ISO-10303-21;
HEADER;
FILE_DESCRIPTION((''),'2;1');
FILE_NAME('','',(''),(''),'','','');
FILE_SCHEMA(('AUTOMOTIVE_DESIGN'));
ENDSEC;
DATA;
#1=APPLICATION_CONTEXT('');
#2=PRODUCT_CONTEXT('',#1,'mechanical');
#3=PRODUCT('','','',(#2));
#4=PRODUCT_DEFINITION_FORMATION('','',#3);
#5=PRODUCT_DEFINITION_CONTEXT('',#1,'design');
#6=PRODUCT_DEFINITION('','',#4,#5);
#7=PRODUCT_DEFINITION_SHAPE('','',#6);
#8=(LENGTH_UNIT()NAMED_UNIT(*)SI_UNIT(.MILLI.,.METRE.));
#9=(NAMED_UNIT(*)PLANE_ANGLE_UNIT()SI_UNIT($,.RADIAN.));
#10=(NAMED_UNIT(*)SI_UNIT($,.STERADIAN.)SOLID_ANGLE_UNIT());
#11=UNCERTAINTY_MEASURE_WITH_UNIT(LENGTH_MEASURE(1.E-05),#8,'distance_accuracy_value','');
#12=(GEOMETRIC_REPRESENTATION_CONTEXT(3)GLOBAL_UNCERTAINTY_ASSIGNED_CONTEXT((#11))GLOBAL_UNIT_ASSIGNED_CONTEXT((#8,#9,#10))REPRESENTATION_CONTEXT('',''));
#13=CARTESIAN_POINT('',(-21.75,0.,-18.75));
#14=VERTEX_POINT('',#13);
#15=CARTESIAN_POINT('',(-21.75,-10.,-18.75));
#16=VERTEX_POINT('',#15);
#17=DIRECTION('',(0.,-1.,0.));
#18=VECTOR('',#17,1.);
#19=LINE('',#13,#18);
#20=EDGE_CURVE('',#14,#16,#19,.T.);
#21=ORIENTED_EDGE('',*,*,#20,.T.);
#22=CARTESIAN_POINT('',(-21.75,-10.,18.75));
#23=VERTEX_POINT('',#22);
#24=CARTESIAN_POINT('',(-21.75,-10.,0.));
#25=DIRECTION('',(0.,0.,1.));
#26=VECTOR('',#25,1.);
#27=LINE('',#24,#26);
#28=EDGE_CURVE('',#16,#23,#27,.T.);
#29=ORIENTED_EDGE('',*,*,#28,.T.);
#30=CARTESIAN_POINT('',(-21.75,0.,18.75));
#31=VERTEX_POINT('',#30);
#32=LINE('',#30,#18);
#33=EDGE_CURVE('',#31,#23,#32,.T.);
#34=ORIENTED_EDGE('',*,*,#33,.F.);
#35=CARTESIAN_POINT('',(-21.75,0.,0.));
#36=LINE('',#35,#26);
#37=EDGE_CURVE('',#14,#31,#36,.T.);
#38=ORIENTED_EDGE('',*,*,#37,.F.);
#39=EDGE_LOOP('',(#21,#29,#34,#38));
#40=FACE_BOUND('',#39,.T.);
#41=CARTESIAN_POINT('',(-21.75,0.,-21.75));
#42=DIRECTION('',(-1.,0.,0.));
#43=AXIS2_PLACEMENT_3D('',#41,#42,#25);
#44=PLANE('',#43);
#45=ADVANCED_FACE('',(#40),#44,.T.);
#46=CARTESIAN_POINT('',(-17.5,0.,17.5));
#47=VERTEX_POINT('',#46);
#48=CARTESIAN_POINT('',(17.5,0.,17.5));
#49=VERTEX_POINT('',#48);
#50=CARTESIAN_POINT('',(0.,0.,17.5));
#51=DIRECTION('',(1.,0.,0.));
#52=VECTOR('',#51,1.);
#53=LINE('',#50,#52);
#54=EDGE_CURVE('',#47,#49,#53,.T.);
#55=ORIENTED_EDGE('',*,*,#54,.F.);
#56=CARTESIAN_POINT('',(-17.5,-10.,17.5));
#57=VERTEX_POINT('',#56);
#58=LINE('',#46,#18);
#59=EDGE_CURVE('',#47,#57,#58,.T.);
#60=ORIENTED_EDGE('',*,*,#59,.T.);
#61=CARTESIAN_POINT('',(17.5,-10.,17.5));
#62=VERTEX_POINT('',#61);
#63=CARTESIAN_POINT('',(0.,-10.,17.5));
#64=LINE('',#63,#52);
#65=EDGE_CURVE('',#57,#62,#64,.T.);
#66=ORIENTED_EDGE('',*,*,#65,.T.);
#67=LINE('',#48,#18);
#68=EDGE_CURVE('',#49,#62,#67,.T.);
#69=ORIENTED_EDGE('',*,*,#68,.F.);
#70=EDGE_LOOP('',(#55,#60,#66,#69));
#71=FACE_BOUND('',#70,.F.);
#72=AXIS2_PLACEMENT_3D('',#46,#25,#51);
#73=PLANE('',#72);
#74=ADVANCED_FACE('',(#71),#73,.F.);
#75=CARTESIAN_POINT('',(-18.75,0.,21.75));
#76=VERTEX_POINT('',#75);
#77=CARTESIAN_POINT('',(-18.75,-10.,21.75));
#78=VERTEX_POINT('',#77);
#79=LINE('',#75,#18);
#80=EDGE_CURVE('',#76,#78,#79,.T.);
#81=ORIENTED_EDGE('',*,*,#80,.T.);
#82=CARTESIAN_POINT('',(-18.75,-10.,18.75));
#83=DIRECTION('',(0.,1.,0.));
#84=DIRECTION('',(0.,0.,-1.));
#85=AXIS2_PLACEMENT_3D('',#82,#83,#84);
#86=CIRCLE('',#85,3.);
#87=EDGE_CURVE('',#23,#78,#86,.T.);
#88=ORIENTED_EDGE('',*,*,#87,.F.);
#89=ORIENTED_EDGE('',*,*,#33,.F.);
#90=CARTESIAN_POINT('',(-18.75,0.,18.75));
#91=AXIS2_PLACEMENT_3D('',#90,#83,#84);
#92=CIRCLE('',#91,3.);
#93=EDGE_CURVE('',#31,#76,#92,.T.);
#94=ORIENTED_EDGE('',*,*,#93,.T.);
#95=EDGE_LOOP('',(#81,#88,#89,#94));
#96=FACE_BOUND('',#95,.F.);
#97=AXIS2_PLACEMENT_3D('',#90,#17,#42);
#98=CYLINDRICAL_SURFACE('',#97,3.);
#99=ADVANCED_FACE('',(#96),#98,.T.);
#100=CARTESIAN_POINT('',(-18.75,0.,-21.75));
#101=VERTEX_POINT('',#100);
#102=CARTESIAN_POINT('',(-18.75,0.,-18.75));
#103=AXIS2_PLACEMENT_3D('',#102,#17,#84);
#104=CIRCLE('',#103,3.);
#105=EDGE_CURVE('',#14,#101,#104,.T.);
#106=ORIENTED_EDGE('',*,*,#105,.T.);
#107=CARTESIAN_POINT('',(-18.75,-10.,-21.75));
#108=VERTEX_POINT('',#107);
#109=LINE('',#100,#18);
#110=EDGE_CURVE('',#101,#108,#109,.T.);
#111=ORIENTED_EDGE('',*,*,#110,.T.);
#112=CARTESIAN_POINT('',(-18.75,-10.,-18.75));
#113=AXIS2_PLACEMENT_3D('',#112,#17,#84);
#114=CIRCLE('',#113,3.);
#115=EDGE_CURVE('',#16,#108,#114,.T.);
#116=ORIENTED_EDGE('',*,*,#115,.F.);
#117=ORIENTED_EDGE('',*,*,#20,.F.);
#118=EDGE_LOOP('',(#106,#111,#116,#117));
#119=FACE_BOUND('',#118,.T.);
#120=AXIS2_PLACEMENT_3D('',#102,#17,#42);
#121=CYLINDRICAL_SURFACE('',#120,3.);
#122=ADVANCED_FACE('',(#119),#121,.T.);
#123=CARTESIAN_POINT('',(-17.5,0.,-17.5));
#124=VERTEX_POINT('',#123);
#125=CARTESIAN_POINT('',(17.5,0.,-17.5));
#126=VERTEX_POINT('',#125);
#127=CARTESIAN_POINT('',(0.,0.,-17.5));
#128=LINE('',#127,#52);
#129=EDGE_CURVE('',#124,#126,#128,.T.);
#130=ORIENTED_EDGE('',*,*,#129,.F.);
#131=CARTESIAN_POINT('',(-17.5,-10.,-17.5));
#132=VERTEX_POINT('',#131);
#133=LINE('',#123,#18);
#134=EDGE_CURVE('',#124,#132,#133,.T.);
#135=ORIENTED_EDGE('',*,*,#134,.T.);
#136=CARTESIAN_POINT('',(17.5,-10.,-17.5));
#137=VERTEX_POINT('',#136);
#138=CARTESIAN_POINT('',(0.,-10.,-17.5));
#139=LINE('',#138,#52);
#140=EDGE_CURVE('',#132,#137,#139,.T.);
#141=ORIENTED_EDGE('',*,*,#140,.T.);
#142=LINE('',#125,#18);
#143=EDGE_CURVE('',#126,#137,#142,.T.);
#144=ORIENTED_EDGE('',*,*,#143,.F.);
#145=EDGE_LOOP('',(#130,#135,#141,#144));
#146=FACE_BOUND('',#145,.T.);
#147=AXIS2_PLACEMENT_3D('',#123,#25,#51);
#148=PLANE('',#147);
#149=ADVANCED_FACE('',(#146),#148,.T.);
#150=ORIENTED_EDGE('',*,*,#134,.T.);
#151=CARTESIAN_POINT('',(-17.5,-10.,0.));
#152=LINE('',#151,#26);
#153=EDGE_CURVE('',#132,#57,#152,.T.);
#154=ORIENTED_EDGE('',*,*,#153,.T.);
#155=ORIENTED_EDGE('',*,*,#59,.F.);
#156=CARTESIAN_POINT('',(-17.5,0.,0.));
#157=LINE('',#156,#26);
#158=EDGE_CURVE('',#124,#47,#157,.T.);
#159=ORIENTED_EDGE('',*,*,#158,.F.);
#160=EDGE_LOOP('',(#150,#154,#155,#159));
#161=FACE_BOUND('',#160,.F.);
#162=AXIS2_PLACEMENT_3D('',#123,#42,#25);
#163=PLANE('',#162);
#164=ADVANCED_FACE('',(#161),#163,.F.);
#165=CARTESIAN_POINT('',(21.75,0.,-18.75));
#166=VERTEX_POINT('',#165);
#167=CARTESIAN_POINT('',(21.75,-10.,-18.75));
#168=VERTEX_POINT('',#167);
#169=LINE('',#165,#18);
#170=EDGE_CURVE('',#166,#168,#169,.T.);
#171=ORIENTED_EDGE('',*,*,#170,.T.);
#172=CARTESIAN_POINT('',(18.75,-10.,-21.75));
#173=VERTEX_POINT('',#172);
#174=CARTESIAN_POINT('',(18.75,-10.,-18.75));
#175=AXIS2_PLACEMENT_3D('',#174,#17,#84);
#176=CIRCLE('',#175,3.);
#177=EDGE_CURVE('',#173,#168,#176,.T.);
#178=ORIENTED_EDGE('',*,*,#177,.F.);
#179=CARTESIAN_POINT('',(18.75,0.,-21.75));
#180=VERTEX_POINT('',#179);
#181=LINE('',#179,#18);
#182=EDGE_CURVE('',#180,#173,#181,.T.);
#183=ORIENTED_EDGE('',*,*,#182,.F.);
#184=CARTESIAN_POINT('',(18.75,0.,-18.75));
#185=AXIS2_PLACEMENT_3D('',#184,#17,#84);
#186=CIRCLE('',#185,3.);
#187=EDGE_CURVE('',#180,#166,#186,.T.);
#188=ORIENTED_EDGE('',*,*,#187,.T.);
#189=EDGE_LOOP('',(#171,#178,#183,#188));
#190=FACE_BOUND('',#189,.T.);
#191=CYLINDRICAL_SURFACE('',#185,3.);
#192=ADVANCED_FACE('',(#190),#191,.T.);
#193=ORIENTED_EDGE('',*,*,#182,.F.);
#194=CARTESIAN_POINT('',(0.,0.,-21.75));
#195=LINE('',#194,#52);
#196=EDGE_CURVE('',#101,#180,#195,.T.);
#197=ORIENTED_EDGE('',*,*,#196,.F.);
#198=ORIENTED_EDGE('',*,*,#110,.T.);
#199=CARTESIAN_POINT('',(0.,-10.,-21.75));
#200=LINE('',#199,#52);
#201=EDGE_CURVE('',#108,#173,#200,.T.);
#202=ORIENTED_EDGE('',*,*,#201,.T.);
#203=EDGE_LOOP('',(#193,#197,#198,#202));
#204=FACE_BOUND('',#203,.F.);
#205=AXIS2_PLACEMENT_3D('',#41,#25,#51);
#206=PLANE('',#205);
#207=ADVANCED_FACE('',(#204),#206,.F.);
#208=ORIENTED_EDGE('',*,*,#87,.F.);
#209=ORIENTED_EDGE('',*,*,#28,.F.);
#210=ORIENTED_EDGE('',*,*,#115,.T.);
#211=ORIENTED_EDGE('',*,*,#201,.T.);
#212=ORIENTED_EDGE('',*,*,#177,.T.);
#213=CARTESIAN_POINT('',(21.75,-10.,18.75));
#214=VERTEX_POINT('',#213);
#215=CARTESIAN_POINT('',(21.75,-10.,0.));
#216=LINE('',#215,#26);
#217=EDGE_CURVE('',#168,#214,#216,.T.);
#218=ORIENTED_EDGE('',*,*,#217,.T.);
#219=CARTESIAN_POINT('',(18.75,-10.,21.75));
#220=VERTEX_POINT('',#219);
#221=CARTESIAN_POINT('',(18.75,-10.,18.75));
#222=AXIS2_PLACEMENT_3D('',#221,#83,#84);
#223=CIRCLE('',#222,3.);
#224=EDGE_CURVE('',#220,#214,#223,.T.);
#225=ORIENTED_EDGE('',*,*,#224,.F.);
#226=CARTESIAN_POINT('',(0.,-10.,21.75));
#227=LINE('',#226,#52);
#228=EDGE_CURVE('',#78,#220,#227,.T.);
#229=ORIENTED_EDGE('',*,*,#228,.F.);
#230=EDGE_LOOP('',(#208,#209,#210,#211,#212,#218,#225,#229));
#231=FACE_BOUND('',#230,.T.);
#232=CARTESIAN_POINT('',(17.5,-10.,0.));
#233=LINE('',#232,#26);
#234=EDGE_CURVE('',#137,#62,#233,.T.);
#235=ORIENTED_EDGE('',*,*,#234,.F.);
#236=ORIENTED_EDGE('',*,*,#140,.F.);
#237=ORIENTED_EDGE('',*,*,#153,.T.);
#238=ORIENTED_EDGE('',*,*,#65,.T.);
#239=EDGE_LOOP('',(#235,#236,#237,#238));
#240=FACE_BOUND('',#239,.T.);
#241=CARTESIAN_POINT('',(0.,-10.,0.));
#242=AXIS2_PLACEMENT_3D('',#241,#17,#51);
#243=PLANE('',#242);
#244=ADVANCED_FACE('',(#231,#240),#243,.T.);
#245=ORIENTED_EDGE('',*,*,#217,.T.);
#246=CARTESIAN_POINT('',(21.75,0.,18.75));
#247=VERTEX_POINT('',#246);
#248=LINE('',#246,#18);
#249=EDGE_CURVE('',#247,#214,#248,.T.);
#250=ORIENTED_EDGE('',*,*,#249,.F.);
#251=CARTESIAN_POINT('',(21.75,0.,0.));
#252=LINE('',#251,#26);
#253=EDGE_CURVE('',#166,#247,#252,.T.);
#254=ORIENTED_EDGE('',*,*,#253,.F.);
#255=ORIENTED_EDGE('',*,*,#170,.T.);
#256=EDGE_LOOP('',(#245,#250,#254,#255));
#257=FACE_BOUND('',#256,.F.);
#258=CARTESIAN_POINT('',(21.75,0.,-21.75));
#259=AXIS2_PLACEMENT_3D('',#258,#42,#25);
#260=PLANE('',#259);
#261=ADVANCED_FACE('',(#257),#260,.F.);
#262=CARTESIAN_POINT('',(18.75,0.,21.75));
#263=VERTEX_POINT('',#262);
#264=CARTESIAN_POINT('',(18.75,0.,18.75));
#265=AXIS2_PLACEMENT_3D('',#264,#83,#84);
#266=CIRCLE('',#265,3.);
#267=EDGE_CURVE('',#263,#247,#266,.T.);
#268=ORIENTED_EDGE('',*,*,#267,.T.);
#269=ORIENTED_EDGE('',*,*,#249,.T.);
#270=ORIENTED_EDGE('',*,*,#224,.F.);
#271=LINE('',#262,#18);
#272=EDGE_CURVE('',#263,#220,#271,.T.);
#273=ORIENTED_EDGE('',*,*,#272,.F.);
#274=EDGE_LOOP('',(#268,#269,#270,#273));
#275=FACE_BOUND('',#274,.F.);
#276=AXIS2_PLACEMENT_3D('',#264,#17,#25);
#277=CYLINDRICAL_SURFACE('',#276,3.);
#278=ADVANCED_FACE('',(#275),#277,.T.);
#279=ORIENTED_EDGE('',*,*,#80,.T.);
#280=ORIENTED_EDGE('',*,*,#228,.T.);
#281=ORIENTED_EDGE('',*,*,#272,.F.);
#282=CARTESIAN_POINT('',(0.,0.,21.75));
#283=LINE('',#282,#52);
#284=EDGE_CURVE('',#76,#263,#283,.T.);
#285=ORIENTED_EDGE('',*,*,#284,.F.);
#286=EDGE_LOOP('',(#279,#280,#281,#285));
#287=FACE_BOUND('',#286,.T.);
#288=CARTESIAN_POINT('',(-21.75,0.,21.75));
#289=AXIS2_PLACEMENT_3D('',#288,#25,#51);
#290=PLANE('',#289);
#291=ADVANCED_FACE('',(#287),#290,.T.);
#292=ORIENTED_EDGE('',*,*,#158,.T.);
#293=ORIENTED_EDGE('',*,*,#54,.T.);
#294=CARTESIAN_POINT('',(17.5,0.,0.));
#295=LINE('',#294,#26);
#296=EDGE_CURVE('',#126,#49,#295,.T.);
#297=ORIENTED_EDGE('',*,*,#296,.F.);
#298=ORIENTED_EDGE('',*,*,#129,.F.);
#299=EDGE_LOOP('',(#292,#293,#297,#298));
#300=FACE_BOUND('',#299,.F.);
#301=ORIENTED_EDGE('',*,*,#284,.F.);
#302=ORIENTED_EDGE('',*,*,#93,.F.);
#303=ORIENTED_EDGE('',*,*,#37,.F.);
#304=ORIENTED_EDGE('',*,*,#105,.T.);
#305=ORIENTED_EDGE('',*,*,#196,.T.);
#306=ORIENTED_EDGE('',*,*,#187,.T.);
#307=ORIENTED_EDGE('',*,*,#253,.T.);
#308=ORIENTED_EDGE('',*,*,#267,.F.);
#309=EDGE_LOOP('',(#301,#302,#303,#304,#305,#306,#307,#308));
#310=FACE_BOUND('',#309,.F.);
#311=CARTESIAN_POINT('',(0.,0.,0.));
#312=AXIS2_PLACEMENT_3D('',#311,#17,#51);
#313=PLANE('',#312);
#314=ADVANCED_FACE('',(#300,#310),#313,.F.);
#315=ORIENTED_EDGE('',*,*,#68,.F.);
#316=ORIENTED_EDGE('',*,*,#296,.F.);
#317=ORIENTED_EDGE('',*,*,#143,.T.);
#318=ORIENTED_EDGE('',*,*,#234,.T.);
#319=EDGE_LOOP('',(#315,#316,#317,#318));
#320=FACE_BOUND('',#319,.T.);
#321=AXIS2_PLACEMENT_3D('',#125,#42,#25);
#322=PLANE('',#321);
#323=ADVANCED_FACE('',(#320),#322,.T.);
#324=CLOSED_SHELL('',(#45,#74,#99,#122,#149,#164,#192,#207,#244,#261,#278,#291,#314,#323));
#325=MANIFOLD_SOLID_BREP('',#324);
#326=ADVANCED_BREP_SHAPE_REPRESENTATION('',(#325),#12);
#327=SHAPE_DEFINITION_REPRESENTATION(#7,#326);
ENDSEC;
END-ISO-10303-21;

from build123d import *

# Parameters (mm, degrees)
F0_W     = 43.5
F0_H     = 43.5
F0_W_2   = 35
F0_H_2   = 35
F1_DEPTH = 10
F2_R     = 3


with BuildPart() as f1:
    # F0 (on Front) → F1 (new body)
    with BuildSketch(Plane.XZ):
        Rectangle(F0_W, F0_H)
        Rectangle(F0_W_2, F0_H_2, mode=Mode.SUBTRACT)
    extrude(amount=F1_DEPTH)

    # F2
    f2_edges = [f1.edges().sort_by_distance(p)[0] for p in [
        (-21.75, -5, 21.75),
        (21.75, -5, 21.75),
        (21.75, -5, -21.75),
        (-21.75, -5, -21.75),
    ]]
    fillet(f2_edges, radius=F2_R)


solid = f1.part
